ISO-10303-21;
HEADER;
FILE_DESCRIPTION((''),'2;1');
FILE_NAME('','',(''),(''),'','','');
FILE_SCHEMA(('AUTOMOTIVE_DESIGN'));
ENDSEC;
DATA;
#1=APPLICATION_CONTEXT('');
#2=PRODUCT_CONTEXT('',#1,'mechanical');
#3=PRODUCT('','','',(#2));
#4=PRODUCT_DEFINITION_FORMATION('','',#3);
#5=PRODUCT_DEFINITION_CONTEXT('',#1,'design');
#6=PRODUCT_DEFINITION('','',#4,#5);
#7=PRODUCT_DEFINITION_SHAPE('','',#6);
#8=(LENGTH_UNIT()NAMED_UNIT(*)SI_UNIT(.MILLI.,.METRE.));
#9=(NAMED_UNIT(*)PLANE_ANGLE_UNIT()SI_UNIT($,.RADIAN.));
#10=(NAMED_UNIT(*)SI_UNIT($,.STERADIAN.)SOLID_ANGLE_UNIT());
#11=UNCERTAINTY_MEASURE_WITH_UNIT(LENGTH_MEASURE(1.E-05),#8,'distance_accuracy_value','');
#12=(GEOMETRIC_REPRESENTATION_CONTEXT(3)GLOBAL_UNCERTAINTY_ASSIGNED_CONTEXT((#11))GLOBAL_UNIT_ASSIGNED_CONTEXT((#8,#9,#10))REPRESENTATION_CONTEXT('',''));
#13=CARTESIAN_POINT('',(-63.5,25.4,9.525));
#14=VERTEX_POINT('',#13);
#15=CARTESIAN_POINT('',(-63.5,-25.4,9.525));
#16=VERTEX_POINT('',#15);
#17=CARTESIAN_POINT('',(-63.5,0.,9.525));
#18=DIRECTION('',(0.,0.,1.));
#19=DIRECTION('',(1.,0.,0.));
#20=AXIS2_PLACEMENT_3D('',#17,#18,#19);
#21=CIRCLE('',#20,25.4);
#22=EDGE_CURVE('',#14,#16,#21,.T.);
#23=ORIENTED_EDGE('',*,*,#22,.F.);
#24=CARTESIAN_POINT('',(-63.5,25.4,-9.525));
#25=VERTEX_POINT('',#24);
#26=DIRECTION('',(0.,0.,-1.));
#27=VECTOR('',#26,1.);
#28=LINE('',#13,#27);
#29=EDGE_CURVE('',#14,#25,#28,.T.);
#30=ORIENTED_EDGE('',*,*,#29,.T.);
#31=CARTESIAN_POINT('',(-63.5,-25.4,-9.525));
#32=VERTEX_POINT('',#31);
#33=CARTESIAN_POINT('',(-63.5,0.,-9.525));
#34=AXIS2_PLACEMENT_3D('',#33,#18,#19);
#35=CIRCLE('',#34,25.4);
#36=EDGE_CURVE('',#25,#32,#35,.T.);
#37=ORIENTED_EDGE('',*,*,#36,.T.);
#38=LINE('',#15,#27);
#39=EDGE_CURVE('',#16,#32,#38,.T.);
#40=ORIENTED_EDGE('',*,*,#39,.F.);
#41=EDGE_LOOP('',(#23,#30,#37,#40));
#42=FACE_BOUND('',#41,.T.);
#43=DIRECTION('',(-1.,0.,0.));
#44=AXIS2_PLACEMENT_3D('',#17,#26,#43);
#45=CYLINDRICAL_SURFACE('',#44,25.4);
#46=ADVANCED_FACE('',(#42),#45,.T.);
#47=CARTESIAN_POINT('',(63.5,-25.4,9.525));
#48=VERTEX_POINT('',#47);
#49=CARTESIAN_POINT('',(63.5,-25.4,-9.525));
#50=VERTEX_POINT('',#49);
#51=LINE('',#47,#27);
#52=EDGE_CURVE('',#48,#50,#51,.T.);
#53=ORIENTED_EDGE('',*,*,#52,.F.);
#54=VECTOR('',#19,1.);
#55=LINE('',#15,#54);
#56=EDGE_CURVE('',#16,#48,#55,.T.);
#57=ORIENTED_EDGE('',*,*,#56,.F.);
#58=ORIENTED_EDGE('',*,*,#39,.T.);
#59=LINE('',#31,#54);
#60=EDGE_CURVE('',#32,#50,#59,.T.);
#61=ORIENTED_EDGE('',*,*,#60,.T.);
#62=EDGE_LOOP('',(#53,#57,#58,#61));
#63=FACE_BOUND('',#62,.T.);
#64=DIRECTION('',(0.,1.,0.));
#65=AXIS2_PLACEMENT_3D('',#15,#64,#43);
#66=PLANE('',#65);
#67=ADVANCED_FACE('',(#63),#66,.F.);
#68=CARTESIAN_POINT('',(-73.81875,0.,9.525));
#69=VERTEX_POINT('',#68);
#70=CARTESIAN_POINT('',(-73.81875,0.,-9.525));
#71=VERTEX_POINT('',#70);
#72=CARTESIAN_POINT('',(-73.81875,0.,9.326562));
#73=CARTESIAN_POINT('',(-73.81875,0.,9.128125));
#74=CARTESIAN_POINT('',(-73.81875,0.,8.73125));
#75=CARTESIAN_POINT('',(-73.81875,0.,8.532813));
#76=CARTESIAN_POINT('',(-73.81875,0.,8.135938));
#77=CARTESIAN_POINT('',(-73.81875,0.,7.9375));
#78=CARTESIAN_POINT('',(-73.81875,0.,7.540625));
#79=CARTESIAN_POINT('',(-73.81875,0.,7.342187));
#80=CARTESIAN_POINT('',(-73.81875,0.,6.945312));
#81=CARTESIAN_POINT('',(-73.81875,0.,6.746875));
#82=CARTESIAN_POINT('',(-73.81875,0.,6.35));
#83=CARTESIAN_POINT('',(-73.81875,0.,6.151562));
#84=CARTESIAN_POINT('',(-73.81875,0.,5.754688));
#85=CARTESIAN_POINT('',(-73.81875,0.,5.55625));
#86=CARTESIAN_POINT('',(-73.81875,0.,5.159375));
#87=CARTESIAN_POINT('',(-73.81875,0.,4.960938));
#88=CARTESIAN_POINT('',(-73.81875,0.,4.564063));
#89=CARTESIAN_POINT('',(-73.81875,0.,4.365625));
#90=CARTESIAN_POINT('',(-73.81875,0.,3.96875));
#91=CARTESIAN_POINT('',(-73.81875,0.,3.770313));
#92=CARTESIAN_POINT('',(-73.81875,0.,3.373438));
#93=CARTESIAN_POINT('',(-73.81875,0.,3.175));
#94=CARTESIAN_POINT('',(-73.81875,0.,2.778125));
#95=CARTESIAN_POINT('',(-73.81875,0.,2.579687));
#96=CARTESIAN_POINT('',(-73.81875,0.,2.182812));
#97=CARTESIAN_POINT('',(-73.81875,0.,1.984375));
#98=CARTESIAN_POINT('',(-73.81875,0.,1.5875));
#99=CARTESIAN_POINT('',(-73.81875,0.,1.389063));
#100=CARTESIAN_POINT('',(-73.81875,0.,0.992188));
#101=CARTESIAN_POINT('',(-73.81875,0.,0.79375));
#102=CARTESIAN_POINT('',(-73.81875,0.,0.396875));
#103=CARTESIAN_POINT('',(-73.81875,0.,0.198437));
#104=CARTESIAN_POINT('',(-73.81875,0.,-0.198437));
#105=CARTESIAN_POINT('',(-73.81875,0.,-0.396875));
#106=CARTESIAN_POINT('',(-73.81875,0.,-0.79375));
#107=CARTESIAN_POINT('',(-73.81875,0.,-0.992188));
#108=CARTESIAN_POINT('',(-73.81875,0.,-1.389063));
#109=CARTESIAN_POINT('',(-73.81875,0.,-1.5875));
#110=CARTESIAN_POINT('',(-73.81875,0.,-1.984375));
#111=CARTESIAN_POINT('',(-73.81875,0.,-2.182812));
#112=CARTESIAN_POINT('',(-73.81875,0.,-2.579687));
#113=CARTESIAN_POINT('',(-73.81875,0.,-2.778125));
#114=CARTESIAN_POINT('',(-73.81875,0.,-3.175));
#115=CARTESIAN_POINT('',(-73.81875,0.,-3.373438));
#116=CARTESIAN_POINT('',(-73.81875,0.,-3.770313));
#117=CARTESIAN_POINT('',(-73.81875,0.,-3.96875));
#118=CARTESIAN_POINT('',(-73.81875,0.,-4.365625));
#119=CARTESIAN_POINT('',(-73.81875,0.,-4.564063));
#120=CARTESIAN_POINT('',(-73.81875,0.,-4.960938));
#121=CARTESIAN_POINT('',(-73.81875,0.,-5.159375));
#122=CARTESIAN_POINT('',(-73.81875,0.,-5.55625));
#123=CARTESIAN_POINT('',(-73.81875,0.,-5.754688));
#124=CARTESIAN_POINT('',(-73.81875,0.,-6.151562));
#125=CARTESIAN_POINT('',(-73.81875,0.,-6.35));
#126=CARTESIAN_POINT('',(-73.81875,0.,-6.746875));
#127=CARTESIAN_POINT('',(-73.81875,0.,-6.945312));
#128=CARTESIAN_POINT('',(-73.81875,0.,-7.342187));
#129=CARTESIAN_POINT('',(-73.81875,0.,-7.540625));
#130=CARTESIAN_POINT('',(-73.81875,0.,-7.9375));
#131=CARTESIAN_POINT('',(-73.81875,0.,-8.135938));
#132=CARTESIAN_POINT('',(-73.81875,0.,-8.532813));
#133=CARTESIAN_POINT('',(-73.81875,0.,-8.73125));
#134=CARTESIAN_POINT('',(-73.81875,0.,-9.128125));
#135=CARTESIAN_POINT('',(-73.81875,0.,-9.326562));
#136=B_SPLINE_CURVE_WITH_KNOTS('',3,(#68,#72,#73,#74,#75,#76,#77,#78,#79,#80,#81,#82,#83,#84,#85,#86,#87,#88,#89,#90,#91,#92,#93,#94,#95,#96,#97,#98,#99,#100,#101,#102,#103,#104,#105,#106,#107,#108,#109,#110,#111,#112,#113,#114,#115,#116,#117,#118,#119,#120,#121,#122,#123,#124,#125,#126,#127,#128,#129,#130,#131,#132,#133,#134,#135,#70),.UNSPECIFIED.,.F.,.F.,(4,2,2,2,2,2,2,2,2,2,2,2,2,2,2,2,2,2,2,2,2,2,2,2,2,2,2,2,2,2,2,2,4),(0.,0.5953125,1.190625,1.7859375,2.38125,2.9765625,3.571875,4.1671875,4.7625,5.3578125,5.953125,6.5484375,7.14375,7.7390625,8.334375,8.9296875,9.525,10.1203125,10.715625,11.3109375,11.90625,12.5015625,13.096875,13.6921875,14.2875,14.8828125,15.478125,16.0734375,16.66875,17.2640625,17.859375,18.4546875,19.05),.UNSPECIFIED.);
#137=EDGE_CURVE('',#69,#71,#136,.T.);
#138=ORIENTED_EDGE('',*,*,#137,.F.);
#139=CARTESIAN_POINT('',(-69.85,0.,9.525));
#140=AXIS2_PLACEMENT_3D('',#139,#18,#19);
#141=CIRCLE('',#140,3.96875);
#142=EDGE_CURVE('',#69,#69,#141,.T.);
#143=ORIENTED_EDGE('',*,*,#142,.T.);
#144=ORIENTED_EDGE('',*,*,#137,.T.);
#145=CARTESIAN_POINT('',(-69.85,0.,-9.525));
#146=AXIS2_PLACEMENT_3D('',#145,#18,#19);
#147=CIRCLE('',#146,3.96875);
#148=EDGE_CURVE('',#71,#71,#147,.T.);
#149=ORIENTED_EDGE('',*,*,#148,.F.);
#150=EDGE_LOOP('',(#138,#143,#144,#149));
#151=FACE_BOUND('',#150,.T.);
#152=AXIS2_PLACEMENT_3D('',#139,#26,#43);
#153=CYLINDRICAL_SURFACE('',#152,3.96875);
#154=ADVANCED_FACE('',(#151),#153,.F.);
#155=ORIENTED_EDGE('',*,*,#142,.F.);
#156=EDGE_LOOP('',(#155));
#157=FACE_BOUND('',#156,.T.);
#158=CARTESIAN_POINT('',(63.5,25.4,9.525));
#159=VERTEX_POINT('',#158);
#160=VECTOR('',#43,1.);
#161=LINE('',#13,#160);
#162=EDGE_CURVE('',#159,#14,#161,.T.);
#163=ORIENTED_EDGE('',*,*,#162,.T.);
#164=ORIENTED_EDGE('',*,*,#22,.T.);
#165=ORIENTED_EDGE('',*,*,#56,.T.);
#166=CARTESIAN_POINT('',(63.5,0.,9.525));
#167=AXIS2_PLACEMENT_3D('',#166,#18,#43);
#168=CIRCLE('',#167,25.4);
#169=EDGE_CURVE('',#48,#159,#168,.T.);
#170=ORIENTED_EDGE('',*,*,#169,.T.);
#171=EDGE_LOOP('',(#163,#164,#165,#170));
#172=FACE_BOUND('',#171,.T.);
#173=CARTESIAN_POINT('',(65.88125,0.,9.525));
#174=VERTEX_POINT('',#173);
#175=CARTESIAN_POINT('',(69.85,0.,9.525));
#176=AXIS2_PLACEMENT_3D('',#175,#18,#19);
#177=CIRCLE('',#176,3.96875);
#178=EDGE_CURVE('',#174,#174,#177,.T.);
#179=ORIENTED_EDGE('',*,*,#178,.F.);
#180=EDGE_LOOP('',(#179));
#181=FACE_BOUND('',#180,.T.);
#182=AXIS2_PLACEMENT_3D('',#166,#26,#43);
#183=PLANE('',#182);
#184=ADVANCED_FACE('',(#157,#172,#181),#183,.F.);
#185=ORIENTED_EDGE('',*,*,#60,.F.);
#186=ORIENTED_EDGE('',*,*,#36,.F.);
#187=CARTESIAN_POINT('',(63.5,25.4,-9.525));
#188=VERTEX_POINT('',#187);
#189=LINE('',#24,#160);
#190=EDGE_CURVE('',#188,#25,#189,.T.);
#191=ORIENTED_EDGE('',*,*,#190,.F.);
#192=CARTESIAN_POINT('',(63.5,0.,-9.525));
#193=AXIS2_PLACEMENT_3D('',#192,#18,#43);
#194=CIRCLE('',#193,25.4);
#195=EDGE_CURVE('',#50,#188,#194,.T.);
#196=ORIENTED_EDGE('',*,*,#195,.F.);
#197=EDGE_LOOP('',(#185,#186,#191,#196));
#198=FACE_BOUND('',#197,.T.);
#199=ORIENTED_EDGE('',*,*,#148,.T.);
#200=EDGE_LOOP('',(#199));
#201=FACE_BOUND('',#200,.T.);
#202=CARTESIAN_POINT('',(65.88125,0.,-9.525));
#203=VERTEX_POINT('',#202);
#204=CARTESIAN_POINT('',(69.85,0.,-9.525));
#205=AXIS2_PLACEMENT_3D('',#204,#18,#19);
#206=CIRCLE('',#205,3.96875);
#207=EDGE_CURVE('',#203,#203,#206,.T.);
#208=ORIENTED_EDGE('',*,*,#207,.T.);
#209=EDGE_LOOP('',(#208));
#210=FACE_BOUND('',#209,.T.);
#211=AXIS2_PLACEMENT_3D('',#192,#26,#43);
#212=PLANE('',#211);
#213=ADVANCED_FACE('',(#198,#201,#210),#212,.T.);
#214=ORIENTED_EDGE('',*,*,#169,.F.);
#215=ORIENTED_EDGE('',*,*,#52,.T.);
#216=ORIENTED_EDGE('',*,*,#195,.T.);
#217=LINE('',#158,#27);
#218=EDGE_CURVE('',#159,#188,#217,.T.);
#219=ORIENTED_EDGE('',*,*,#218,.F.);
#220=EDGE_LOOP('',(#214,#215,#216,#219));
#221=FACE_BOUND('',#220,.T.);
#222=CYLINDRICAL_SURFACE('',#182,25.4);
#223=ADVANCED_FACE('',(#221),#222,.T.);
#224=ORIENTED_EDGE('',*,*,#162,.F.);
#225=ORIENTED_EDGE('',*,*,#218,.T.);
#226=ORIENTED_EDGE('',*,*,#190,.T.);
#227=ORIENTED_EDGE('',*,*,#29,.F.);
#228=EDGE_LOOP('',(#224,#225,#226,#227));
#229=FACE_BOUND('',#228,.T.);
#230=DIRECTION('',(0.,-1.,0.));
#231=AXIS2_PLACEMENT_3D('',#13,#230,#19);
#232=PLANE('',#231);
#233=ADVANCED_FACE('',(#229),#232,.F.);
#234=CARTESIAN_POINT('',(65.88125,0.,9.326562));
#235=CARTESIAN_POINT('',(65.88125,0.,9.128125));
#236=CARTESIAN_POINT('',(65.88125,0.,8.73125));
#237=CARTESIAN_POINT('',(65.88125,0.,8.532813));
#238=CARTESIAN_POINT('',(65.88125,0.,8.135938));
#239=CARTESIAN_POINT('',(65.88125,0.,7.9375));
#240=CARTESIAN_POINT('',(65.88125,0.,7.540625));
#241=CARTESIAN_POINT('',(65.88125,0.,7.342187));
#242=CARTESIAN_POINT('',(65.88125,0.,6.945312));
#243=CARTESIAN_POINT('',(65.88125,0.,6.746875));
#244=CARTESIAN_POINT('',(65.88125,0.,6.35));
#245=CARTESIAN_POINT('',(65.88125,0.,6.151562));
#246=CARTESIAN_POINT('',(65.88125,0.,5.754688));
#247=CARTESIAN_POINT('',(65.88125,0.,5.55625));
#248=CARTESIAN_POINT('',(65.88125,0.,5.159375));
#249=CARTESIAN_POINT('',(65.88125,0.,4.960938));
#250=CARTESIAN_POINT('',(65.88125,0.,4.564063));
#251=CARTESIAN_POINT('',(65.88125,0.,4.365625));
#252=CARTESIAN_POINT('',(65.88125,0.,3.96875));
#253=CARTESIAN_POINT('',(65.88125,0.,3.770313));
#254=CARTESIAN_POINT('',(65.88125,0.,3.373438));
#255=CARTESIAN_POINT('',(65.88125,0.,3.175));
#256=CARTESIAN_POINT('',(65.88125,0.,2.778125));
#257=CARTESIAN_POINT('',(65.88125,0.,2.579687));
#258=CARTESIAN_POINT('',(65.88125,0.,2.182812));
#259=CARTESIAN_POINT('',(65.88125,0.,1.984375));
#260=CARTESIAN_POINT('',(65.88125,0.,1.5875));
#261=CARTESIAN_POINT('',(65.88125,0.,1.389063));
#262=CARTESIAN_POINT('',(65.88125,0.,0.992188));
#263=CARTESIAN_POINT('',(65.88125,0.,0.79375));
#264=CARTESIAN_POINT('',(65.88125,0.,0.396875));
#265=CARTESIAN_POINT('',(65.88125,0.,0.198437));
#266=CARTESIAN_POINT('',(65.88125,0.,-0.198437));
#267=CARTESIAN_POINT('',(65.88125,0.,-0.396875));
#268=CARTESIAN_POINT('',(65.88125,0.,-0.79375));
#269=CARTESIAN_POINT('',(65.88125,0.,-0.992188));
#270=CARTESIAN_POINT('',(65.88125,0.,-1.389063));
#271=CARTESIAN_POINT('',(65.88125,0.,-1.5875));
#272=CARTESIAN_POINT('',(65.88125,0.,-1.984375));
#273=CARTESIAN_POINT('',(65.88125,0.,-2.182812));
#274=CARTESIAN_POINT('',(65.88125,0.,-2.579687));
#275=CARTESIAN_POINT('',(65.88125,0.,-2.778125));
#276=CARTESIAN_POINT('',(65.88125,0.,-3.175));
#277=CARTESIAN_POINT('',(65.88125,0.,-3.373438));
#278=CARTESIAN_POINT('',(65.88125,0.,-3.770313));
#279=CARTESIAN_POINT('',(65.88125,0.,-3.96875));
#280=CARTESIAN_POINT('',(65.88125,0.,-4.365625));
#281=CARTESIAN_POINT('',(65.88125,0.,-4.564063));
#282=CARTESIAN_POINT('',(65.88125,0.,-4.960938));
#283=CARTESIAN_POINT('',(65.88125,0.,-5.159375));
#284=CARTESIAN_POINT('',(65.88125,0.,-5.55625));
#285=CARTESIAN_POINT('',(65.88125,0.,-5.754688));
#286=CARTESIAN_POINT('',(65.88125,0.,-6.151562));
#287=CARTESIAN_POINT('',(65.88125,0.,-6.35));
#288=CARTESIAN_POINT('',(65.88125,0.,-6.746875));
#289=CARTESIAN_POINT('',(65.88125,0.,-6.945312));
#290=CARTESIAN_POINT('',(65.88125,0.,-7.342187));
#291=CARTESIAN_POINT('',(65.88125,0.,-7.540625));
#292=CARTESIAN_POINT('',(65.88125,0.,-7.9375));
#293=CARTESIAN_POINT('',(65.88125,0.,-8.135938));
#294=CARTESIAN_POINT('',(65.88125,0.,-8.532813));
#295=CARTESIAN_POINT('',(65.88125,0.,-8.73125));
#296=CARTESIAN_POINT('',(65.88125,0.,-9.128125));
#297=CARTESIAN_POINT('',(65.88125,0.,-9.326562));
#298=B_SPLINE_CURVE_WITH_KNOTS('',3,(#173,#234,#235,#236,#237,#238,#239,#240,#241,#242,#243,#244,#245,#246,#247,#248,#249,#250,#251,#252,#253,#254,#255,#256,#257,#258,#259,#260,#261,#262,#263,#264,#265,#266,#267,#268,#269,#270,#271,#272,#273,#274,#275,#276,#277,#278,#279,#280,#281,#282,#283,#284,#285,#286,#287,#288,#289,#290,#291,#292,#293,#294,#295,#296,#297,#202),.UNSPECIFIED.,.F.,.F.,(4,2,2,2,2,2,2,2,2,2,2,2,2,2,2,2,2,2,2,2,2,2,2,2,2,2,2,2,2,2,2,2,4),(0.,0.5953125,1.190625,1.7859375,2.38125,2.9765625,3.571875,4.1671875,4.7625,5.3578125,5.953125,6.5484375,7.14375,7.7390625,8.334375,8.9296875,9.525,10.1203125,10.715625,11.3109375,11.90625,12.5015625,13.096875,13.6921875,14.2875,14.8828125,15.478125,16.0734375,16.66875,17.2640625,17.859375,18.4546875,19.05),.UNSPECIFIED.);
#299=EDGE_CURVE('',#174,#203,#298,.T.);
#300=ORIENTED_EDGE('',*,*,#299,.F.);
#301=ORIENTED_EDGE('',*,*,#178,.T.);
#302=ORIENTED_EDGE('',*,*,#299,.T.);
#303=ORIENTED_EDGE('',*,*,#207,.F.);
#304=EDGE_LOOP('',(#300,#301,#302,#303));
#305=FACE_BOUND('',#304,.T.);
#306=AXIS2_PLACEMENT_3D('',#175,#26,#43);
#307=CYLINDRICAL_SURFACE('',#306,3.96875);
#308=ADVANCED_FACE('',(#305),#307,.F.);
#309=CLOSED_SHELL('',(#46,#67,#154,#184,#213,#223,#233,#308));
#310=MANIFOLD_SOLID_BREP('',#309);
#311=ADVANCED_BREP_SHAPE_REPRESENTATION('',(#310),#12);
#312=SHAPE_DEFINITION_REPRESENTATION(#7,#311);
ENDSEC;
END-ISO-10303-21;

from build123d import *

# Parameters (mm, degrees)
SKETCH1_R           = 3.96875
BOSS_EXTRUDE1_DEPTH = 9.525


with BuildPart() as part:
    # Sketch1 → Boss-Extrude1 (new, symmetric)
    with BuildSketch(Plane.XY):
        with BuildLine():
            Line((-63.5, -25.4), (63.5, -25.4))
            ThreePointArc((63.5, -25.4), (88.9, 0), (63.5, 25.4))
            Line((63.5, 25.4), (-63.5, 25.4))
            ThreePointArc((-63.5, 25.4), (-88.9, 0), (-63.5, -25.4))
        make_face()
        with Locations(Location((-69.85, 0, 0), (0, 0, 180))):
            Circle(SKETCH1_R, mode=Mode.SUBTRACT)
        with Locations(Location((69.85, 0, 0), (0, 0, 180))):
            Circle(SKETCH1_R, mode=Mode.SUBTRACT)
    extrude(amount=BOSS_EXTRUDE1_DEPTH, both=True)


solid = part.part
